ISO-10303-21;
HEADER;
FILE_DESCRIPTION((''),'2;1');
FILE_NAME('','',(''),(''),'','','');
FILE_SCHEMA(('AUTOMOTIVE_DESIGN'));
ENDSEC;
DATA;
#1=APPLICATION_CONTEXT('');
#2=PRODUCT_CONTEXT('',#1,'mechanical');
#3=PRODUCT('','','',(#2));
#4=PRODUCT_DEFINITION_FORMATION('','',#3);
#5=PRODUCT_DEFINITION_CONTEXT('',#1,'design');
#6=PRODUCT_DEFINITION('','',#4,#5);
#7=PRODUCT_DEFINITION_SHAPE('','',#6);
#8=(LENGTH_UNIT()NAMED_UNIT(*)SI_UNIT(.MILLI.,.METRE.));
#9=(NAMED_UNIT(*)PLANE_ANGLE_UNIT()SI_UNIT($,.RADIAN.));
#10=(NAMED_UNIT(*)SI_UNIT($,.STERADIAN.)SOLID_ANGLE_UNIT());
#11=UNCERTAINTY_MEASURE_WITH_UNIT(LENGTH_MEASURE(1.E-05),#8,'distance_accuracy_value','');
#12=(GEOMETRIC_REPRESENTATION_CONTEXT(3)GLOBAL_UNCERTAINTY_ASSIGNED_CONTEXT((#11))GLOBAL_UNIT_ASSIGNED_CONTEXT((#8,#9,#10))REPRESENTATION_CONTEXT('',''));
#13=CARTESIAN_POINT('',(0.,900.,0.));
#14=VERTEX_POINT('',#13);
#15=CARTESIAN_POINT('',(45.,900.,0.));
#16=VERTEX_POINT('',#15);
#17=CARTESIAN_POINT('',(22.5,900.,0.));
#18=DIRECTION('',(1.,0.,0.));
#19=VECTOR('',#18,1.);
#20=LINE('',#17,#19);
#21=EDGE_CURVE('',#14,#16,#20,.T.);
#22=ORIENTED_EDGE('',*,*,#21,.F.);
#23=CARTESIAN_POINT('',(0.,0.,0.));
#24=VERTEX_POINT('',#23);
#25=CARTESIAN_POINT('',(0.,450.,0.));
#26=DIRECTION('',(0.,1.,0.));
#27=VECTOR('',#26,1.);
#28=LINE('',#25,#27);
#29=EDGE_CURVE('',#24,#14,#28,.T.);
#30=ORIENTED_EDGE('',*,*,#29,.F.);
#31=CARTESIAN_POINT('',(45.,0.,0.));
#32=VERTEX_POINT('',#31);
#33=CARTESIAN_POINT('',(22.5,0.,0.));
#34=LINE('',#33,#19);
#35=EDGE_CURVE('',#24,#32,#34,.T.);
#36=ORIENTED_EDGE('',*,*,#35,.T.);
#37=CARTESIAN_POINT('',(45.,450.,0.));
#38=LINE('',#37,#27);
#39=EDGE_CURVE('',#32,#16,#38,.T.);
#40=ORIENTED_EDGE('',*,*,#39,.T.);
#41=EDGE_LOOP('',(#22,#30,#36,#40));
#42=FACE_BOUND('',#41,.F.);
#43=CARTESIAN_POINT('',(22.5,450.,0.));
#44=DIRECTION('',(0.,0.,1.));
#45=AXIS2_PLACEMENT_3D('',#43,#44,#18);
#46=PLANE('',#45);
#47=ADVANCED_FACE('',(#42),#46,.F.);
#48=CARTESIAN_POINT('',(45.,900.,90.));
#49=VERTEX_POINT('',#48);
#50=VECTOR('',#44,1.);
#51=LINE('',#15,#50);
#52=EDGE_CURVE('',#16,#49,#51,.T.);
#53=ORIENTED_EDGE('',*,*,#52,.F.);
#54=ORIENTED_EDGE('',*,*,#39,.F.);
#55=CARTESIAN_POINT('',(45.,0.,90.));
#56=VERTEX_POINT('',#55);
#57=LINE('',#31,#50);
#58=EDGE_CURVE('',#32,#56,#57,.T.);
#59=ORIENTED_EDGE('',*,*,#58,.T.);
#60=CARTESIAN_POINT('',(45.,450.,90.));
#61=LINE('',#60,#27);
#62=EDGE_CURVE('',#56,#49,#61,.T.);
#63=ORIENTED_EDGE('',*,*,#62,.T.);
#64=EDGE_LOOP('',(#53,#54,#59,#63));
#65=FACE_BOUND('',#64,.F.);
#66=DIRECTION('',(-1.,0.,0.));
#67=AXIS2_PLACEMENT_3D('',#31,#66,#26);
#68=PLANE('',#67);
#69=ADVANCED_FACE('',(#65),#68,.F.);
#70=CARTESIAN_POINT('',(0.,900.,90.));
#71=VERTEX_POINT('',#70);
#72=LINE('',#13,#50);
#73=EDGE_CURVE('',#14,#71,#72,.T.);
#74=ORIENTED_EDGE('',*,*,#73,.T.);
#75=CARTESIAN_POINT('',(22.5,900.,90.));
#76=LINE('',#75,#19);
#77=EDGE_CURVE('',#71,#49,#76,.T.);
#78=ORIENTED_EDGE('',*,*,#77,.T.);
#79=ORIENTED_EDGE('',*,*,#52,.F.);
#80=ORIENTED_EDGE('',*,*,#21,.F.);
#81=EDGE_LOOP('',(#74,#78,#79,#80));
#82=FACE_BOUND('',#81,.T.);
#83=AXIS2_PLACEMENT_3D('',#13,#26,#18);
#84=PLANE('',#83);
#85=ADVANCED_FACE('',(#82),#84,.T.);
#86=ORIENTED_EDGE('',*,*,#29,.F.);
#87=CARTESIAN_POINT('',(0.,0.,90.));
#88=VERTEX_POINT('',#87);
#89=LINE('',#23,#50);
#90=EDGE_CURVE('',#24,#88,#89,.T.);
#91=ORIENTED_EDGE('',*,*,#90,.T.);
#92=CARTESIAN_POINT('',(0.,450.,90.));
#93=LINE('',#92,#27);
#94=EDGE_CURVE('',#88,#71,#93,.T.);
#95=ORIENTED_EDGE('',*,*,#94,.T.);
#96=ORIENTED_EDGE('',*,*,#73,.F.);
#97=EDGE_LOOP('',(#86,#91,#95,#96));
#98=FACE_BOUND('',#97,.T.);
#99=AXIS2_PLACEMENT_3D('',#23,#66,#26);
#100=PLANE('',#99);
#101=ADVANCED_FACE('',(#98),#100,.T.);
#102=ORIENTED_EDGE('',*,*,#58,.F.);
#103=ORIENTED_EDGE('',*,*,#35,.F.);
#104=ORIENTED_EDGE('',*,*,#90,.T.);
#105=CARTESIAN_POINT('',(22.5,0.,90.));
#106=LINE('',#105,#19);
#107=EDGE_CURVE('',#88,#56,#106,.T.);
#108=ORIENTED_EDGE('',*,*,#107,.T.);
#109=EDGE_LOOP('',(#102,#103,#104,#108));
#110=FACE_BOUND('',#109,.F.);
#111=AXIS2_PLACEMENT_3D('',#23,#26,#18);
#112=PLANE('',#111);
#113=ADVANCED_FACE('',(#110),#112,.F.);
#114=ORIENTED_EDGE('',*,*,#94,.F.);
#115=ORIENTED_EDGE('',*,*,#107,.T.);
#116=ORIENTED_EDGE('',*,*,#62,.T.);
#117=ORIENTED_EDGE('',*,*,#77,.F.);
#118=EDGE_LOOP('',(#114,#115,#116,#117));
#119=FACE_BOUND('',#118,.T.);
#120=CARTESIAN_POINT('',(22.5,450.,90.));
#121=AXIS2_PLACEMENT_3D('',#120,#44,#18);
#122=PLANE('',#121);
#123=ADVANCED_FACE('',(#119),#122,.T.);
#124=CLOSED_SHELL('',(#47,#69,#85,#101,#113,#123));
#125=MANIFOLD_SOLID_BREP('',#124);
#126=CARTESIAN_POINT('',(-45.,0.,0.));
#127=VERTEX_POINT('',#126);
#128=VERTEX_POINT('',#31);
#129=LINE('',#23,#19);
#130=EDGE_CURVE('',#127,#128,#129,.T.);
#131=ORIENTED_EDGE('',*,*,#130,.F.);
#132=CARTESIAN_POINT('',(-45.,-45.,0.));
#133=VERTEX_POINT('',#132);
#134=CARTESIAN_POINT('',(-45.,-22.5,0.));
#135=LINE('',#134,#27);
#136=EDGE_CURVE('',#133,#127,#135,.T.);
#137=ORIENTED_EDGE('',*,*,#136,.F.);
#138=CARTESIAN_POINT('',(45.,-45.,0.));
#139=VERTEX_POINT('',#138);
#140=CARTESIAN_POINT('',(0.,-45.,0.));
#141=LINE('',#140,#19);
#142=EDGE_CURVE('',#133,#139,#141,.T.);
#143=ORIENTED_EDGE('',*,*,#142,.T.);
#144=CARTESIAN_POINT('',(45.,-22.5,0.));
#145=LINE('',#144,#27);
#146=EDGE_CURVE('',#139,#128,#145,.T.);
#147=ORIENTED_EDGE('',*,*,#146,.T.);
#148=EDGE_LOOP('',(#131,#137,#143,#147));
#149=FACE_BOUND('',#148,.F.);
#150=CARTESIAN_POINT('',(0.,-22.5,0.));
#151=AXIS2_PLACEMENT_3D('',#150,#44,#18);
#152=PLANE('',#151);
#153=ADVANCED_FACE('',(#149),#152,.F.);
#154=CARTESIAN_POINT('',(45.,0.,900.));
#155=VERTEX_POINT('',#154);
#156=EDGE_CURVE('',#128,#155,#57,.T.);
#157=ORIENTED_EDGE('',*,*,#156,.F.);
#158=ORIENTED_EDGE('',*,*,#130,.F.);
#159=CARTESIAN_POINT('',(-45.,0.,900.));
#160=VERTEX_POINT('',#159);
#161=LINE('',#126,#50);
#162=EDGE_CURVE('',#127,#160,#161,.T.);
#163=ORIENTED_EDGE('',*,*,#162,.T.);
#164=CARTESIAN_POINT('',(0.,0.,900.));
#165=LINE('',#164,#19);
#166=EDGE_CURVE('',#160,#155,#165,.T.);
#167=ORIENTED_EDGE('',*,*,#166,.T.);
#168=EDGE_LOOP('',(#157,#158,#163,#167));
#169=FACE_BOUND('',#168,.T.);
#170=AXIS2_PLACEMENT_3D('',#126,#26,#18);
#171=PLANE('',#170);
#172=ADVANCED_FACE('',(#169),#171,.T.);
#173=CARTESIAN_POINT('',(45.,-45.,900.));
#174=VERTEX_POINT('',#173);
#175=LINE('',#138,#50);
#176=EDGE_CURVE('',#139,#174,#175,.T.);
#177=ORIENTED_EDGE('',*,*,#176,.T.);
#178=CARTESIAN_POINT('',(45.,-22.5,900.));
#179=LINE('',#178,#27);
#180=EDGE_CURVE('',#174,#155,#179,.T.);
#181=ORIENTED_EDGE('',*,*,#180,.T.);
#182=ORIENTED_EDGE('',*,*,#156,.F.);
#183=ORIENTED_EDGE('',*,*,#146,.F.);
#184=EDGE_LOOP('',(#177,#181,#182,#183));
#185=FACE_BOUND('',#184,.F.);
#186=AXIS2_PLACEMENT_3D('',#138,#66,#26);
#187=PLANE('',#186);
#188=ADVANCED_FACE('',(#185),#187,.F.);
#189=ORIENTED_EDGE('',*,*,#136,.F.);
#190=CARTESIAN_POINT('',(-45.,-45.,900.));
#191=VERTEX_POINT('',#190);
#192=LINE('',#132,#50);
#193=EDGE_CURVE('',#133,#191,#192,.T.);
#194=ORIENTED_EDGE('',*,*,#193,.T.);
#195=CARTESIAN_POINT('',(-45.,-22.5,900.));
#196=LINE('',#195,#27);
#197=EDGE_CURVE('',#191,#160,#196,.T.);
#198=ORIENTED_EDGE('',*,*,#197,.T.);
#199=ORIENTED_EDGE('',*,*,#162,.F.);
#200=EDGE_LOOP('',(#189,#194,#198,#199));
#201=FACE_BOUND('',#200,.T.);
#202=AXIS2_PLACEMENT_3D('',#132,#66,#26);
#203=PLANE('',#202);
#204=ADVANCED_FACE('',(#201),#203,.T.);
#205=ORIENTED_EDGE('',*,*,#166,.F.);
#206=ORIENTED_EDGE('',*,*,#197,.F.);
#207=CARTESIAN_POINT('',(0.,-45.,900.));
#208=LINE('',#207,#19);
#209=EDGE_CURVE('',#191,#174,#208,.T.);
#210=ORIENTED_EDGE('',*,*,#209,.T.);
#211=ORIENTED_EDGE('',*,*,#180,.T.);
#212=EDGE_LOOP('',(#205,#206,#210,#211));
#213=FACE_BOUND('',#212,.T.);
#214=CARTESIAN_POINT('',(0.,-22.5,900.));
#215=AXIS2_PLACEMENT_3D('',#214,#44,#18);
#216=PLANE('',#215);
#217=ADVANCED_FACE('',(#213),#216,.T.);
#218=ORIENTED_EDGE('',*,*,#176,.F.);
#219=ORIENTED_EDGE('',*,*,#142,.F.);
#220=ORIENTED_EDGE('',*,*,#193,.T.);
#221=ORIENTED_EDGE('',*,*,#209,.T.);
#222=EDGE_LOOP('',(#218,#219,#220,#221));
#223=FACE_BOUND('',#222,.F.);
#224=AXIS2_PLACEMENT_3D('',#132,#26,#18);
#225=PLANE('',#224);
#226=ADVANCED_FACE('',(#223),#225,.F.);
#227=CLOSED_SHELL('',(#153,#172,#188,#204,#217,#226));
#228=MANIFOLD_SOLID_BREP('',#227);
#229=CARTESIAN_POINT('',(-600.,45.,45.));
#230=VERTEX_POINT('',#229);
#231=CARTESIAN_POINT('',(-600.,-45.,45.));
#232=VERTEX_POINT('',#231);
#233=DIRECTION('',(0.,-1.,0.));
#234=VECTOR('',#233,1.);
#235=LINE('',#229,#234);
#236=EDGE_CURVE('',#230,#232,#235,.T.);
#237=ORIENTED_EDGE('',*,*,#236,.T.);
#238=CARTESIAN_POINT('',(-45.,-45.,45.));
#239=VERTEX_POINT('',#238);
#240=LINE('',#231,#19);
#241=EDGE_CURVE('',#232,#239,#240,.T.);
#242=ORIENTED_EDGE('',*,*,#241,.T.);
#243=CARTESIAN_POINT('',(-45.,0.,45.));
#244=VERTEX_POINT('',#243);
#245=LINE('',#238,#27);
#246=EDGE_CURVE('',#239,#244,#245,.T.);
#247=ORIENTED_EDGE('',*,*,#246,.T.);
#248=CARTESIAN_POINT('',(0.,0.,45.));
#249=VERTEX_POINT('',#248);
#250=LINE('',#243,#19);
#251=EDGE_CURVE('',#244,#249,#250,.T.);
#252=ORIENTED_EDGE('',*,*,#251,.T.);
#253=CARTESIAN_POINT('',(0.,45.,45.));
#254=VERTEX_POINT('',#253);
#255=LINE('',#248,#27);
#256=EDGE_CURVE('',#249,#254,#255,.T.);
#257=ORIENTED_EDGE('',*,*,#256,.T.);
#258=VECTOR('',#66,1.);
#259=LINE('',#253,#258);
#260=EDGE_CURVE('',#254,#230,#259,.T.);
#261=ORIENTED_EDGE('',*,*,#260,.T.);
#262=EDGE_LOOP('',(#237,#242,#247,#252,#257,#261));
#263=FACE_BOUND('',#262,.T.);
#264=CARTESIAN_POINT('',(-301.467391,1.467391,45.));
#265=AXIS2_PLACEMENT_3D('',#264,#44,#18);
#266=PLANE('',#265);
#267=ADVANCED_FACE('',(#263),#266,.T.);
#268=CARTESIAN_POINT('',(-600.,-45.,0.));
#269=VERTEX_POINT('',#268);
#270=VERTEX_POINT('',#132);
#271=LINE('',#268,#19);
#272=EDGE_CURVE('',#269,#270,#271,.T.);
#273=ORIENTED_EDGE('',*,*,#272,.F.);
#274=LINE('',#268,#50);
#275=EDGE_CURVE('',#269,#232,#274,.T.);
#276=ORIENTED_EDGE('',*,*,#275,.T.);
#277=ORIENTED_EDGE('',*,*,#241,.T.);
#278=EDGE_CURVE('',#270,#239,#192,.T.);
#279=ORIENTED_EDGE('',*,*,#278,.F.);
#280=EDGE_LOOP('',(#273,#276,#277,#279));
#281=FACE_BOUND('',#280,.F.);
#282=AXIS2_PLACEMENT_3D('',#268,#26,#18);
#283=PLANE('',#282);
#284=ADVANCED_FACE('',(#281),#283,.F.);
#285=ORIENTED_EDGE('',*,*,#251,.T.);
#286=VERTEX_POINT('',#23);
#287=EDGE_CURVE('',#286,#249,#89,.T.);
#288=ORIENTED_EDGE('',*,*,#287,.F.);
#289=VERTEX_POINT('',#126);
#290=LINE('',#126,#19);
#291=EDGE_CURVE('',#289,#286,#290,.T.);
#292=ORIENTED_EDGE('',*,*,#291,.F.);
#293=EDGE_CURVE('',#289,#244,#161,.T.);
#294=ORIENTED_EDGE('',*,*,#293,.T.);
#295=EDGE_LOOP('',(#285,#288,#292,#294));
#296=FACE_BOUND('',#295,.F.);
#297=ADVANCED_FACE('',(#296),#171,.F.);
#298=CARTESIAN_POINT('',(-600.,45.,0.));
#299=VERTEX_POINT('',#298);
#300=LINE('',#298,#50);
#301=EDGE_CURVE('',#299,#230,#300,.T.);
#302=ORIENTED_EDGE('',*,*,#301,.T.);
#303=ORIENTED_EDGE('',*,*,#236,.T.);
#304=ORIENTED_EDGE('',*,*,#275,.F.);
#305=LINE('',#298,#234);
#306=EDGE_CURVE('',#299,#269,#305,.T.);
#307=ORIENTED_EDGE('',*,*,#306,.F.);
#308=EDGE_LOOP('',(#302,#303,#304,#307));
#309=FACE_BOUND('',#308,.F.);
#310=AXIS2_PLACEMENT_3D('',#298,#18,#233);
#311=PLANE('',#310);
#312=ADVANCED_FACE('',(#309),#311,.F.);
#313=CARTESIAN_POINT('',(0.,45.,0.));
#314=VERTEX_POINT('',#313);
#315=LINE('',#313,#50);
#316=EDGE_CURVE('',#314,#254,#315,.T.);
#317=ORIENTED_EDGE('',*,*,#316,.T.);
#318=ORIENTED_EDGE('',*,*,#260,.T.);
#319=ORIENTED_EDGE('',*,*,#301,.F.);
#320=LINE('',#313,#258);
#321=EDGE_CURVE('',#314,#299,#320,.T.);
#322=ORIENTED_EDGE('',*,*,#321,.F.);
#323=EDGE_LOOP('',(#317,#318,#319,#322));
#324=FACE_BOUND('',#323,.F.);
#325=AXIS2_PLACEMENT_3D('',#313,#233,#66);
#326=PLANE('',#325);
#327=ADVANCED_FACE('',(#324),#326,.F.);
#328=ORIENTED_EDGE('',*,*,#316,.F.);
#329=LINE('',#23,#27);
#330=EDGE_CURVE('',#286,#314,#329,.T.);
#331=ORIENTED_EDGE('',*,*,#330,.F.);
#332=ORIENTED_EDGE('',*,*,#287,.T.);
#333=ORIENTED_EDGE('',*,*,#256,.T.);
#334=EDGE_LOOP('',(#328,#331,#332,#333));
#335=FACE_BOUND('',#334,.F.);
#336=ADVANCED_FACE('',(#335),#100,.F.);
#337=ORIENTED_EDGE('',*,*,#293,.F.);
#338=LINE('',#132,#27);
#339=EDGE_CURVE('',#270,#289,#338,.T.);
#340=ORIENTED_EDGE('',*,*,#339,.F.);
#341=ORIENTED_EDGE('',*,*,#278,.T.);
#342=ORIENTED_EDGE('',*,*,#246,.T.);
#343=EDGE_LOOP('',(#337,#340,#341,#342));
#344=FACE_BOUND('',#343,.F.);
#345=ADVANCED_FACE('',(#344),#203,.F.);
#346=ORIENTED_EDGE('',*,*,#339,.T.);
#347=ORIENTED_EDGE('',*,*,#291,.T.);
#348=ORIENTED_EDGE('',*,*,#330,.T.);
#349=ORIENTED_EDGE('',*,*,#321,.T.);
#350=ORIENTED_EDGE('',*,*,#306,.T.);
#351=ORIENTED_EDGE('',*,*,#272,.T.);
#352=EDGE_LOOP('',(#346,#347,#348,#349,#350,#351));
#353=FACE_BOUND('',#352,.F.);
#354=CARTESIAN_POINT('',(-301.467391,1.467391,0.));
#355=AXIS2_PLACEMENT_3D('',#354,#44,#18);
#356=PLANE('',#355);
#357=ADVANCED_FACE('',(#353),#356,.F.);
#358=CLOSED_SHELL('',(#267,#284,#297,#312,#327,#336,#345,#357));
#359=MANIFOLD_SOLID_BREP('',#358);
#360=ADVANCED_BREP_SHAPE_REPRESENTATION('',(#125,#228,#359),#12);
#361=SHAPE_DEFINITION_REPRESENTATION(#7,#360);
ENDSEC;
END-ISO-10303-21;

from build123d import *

# Parameters (mm, degrees)
F0_W     = 45
F0_H     = 900
F1_DEPTH = 90
F2_W     = 90
F2_H     = 45
F3_DEPTH = 900
F5_DEPTH = 45


with BuildPart() as f1:
    # F0 (on Top) → F1 (new body)
    with BuildSketch(Plane.XY):
        with Locations((22.5, 450)):
            Rectangle(F0_W, F0_H)
    extrude(amount=F1_DEPTH)


with BuildPart() as f3:
    # F2 (on Top) → F3 (new body)
    with BuildSketch(Plane.XY):
        with Locations((0, -22.5)):
            Rectangle(F2_W, F2_H)
    extrude(amount=F3_DEPTH)


with BuildPart() as f5:
    # F4 (on Top) → F5 (new body)
    with BuildSketch(Plane.XY):
        Polygon((0, 0), (0, 45), (-600, 45), (-600, -45), (-45, -45), (-45, 0), align=None)
    extrude(amount=F5_DEPTH)


solid = Compound([f1.part, f3.part, f5.part])
